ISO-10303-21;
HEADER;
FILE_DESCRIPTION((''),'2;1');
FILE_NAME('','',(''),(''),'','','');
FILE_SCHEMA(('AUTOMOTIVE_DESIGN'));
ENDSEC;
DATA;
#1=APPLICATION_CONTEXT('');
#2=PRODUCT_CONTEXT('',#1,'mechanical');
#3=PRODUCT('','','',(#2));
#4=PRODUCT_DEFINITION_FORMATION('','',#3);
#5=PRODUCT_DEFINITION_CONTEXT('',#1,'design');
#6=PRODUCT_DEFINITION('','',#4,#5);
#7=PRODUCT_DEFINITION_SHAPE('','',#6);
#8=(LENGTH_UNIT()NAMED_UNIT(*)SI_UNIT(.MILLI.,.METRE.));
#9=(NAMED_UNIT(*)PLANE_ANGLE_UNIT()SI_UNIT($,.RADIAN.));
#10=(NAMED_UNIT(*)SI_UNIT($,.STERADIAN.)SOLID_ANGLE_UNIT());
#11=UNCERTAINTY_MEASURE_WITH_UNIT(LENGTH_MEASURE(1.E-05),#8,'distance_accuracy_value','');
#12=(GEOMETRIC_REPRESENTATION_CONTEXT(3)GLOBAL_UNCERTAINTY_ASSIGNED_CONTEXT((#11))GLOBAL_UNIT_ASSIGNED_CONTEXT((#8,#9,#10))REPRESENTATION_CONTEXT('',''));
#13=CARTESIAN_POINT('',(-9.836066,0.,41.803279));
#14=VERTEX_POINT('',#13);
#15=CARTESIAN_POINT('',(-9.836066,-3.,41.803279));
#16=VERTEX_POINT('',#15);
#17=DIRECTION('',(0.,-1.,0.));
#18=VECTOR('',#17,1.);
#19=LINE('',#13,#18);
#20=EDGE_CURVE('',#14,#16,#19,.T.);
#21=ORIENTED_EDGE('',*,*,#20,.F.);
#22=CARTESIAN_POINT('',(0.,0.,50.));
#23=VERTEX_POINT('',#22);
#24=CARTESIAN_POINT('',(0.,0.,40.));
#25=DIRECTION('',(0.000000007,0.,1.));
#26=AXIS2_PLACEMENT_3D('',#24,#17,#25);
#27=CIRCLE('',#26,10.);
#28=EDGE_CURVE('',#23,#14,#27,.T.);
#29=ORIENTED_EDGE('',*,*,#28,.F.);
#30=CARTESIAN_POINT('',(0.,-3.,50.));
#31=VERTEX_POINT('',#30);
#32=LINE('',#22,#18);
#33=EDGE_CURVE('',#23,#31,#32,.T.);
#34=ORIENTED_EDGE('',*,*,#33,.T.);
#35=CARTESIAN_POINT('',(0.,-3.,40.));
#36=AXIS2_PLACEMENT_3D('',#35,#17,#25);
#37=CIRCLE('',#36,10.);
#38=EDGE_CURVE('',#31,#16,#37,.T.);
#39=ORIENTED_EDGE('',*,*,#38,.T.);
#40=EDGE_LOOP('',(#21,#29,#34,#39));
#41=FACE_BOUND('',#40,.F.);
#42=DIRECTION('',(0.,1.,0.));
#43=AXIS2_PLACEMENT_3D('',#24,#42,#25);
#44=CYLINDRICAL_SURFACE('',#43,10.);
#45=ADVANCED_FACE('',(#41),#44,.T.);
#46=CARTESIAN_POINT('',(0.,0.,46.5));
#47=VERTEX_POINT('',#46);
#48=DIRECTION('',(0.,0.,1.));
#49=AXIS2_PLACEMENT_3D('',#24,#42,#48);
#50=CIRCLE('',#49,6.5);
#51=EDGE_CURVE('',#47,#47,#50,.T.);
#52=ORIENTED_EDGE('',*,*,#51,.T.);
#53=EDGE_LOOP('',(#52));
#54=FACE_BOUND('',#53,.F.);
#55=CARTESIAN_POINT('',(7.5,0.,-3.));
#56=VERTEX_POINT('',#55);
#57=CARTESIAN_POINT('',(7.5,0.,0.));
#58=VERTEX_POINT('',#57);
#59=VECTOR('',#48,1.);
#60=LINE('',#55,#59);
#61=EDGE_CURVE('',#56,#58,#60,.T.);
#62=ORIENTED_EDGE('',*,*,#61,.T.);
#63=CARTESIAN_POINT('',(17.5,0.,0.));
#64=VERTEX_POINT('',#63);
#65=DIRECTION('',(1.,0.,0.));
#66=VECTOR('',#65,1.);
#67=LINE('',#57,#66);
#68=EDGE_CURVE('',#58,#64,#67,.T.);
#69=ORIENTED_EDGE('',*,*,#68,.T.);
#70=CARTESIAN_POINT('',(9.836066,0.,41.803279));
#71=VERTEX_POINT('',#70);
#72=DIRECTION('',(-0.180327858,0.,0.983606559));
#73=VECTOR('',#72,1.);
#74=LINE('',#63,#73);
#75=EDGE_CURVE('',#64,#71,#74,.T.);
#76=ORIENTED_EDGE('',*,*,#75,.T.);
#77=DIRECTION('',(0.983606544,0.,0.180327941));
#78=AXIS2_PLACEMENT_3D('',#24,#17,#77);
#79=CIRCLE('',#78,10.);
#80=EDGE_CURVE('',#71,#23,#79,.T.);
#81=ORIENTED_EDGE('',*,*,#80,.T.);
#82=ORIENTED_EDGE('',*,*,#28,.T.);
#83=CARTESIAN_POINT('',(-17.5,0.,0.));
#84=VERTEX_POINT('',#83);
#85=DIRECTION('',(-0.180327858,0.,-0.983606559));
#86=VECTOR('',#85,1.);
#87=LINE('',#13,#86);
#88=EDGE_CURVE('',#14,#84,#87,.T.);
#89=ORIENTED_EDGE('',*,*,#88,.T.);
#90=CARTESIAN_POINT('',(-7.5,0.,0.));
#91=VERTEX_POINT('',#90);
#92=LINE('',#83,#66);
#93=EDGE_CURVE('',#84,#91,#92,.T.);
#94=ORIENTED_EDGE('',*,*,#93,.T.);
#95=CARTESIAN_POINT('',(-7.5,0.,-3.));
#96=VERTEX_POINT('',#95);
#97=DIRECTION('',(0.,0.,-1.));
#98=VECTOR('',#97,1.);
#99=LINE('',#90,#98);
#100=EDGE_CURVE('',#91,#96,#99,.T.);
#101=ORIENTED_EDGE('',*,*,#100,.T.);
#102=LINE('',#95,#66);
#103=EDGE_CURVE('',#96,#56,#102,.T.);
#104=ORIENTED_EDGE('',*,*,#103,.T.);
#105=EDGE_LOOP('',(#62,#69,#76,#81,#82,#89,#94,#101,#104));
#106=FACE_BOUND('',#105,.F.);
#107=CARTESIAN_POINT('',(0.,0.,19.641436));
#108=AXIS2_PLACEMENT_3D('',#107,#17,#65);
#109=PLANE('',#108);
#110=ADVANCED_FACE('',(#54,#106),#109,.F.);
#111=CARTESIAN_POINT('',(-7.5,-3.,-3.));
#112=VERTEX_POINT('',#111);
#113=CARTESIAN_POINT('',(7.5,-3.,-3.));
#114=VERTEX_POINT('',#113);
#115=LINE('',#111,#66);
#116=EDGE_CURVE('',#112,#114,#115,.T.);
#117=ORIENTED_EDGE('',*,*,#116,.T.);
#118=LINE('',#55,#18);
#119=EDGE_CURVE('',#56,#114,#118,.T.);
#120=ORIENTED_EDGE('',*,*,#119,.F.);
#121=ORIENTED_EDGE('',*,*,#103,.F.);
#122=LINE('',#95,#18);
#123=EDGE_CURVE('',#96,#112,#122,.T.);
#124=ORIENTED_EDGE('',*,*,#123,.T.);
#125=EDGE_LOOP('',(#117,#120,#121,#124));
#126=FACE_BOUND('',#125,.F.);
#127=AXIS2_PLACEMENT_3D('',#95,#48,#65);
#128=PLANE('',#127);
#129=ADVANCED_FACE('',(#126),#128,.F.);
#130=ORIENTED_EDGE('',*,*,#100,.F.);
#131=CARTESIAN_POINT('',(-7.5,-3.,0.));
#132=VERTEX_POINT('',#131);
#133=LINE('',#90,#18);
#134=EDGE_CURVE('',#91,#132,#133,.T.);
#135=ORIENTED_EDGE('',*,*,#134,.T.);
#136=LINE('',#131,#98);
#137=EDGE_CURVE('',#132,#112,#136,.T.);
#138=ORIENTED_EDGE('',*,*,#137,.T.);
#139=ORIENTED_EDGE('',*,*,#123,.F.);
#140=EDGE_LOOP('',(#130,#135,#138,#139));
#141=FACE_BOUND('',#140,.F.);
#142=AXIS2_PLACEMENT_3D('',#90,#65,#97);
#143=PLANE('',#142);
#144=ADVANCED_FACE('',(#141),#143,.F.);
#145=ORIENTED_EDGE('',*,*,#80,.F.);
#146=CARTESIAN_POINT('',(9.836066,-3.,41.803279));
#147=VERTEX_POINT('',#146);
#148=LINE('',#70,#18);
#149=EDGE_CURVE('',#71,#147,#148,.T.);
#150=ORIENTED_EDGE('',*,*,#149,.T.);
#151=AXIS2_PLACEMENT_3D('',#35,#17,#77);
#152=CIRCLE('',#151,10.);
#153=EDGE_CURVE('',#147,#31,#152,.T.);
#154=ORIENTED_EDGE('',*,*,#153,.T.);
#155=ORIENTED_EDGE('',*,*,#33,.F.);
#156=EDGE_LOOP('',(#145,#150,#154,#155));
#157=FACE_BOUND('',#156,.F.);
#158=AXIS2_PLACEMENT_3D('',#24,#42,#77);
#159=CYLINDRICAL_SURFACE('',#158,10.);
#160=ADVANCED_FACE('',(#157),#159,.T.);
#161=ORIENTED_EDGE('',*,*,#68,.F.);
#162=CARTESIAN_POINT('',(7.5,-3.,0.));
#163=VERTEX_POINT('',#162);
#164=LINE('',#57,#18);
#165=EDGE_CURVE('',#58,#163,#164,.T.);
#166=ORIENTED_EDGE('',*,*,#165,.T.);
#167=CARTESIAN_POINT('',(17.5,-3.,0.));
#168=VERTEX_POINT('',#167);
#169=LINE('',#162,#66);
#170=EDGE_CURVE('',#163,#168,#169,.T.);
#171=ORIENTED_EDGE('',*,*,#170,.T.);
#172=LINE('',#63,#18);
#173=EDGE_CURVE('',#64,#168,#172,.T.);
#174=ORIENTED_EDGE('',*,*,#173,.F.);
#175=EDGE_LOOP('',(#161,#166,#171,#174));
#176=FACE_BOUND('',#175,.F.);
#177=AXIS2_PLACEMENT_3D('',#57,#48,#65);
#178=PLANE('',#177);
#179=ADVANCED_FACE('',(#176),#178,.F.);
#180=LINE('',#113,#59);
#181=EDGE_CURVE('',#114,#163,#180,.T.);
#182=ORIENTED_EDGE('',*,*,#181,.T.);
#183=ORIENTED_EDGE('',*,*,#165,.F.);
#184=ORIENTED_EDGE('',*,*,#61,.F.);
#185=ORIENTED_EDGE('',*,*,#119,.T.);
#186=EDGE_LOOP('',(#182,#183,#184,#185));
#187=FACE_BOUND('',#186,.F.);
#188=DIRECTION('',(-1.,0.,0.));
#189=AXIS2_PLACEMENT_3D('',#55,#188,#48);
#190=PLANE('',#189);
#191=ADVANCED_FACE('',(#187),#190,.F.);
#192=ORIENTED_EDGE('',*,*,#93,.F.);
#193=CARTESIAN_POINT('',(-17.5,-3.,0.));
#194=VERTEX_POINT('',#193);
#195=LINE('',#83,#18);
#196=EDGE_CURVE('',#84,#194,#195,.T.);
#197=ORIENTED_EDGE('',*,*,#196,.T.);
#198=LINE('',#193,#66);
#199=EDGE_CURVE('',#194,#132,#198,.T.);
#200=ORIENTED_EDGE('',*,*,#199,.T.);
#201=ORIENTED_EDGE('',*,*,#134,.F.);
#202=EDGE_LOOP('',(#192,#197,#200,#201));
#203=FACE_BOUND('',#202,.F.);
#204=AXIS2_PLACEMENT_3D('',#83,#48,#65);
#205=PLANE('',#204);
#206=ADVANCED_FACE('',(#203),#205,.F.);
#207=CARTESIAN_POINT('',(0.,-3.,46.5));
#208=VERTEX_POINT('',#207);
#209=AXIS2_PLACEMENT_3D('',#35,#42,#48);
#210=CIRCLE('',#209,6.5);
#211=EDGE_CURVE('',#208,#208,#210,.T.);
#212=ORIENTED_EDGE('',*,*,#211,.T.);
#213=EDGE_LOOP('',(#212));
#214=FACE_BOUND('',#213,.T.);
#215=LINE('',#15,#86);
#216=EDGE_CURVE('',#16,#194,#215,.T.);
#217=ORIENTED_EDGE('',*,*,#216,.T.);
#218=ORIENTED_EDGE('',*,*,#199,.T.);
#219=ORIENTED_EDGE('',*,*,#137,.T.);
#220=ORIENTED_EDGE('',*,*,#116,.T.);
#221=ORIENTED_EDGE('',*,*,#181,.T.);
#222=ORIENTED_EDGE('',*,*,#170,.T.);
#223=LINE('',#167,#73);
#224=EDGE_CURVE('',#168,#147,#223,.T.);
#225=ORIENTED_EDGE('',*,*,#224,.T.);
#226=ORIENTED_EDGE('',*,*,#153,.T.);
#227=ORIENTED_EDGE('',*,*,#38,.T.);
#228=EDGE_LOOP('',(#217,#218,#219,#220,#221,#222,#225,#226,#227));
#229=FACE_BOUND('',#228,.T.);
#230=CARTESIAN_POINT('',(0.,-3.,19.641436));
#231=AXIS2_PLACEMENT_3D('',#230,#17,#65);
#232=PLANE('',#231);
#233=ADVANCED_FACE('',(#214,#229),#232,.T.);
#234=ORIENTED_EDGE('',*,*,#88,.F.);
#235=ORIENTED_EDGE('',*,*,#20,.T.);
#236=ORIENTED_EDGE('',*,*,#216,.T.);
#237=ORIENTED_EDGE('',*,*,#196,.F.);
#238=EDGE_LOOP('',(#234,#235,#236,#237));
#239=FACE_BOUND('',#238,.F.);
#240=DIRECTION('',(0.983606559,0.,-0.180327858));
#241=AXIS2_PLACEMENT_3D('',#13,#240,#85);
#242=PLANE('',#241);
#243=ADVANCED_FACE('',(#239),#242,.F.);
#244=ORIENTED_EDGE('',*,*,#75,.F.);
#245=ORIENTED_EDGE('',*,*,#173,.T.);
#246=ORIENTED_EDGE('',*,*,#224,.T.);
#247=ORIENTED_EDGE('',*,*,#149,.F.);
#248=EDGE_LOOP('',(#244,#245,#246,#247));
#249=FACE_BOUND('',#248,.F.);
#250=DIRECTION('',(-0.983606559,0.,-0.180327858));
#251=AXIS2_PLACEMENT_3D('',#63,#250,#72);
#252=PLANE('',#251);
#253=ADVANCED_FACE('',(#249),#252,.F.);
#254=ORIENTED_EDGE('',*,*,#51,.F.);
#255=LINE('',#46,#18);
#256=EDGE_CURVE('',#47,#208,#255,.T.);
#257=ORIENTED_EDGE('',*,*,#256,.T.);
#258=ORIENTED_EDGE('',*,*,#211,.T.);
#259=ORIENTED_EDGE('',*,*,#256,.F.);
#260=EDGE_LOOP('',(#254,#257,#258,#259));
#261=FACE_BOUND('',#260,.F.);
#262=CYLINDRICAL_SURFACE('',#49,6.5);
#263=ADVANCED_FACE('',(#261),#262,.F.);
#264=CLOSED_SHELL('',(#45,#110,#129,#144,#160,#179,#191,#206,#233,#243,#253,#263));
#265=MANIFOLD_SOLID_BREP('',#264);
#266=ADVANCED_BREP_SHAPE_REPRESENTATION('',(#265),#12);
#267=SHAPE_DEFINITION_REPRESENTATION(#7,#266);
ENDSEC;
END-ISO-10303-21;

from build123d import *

# Parameters (mm, degrees)
F1_DEPTH = 3


with BuildPart() as f1:
    # F0 (on Front) → F1 (new body)
    with BuildSketch(Plane.XZ):
        with BuildLine():
            ThreePointArc((0, 50), (-6.401844, 47.682213), (-9.836066, 41.803279))
            Line((-9.836066, 41.803279), (-17.5, 0))
            Line((-17.5, 0), (-7.5, 0))
            Line((-7.5, 0), (-7.5, -3))
            Line((-7.5, -3), (0, -3))
            Line((0, -3), (7.5, -3))
            Line((7.5, -3), (7.5, 0))
            Line((7.5, 0), (17.5, 0))
            Line((17.5, 0), (9.836066, 41.803279))
            ThreePointArc((9.836066, 41.803279), (6.401844, 47.682213), (0, 50))
        make_face()
        with BuildLine():
            ThreePointArc((0, 33.5), (-6.5, 40), (0, 46.5))
            ThreePointArc((0, 46.5), (6.5, 40), (0, 33.5))
        make_face(mode=Mode.SUBTRACT)
    extrude(amount=F1_DEPTH)


solid = f1.part
